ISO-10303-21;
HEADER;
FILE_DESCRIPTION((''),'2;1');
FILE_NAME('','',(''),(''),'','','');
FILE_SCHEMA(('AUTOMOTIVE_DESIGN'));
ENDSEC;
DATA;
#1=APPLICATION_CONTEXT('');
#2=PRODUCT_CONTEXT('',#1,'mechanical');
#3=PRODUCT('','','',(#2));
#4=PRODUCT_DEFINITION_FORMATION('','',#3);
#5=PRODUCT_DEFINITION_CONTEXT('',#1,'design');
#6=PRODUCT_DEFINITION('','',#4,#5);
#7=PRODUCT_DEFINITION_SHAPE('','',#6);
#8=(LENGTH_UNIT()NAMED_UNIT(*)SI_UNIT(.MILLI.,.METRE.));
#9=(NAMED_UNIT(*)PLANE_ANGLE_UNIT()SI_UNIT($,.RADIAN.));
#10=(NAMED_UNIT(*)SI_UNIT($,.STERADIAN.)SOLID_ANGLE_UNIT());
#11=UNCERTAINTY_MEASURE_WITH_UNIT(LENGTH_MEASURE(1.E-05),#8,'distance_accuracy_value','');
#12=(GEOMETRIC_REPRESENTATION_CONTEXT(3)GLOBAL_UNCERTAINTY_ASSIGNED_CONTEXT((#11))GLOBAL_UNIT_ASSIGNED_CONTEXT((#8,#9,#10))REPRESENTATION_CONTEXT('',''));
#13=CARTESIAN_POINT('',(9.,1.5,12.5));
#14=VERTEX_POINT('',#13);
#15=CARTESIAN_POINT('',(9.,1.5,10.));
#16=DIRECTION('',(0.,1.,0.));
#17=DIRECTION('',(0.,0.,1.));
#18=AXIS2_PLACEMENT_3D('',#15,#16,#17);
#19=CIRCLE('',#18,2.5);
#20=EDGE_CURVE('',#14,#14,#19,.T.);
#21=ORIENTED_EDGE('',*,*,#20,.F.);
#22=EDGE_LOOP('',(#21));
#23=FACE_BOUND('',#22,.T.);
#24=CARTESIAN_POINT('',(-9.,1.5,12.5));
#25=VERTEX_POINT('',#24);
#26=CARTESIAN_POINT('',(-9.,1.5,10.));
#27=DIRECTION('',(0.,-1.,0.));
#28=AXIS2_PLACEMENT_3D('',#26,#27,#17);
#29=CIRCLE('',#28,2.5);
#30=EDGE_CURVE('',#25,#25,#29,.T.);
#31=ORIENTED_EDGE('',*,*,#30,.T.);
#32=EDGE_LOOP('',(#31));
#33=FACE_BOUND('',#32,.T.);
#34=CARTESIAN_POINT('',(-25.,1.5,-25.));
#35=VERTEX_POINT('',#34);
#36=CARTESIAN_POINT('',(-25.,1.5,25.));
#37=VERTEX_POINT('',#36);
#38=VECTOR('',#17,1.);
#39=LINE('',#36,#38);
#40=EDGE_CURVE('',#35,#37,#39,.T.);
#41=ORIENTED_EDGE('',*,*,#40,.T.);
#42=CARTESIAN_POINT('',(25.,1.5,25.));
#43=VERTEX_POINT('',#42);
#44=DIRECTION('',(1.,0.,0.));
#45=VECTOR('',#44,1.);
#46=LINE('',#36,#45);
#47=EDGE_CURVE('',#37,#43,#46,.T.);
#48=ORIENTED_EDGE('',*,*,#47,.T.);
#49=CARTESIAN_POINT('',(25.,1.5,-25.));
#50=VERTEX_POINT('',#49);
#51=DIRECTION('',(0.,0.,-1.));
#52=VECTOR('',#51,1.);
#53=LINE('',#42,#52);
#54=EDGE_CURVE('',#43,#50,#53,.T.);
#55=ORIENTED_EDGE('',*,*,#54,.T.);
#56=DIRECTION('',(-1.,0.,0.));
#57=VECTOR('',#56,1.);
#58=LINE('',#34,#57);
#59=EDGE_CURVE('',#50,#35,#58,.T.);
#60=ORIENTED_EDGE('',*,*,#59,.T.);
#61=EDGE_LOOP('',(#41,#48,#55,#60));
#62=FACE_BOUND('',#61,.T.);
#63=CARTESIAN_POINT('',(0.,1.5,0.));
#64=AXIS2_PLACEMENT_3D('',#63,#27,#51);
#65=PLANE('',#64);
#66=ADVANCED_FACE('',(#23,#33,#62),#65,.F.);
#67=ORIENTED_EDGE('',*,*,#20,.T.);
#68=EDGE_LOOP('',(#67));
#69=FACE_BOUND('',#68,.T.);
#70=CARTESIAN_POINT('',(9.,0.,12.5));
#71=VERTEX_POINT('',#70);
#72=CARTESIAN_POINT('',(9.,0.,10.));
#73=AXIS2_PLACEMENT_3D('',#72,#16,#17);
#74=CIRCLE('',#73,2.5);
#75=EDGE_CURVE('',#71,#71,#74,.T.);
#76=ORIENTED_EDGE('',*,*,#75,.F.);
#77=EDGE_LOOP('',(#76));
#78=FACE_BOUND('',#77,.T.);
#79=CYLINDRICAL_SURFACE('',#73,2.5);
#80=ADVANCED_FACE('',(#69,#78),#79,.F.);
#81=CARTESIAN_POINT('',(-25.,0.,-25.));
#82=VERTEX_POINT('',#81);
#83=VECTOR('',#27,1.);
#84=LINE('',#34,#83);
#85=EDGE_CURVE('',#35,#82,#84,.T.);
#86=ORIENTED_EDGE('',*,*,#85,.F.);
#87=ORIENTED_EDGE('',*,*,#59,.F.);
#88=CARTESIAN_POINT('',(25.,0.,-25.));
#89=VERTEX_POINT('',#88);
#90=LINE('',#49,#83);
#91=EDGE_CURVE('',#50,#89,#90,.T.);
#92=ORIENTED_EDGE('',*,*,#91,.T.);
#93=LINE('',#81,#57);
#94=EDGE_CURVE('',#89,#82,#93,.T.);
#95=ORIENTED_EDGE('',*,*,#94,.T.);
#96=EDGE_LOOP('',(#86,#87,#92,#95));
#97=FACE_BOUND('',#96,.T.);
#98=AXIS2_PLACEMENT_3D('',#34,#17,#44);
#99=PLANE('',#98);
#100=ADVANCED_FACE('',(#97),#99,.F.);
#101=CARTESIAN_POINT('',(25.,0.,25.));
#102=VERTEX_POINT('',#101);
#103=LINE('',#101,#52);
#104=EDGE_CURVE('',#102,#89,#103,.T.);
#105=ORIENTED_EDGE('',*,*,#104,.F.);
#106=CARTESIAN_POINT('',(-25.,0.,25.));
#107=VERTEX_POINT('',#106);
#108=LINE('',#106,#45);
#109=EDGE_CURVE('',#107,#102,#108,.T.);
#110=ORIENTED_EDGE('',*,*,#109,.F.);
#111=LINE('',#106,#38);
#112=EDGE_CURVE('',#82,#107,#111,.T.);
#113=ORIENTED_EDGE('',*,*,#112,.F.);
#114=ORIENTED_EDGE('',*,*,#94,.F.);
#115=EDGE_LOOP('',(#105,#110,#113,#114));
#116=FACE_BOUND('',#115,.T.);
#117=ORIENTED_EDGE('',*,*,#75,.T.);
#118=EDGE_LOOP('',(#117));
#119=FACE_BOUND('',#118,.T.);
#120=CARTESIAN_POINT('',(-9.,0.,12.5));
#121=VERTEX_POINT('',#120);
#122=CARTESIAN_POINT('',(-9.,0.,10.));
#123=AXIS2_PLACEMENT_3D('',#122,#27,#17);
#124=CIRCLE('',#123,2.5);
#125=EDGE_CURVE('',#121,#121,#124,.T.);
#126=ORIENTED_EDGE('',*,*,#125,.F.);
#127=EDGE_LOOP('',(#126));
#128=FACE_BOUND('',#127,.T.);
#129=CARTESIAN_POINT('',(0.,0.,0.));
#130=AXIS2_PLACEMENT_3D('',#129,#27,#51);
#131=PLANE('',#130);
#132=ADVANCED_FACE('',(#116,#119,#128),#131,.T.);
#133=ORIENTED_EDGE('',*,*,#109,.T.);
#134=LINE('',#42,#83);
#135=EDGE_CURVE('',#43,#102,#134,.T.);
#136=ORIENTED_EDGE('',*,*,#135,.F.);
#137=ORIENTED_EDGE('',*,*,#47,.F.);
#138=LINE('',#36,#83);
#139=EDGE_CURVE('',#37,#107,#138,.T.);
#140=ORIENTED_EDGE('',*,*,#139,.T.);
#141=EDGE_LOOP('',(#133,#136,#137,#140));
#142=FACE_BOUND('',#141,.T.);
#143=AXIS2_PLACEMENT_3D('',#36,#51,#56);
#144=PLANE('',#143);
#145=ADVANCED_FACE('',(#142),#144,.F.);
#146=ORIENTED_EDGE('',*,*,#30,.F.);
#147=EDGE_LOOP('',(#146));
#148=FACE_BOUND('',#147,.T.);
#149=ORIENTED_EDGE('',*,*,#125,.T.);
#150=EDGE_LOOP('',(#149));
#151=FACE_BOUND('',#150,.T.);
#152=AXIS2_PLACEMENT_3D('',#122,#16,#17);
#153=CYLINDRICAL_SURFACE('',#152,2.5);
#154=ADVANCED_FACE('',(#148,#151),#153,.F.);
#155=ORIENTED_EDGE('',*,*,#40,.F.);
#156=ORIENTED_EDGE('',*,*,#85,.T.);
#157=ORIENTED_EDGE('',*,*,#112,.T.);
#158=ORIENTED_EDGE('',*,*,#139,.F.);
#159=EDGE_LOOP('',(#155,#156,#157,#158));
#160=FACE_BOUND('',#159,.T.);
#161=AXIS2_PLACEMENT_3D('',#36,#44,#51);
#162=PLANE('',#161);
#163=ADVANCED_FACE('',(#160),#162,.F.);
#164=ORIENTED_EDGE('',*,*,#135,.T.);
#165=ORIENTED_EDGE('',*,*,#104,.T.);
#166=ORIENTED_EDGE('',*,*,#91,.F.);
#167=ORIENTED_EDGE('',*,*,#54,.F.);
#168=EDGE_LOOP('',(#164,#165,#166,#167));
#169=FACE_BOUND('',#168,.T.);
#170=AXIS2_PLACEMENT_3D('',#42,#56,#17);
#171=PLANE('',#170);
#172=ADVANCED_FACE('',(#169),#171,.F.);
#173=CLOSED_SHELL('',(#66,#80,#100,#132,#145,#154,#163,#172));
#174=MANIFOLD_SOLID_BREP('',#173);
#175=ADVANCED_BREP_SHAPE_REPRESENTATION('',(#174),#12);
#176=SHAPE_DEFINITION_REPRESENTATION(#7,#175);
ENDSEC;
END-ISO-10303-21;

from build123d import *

# Parameters (mm, degrees)
SKETCH_1_W          = 50
SKETCH_1_H          = 50
EXTRUDE_1_DEPTH     = 1.5
SKETCH_2_R          = 2.5
CUT_EXTRUDE_1_DEPTH = 36.387144558


with BuildPart() as part:
    # 草图1 → 凸台-拉伸1 (new body)
    with BuildSketch(Plane(origin=(0, 0, 0), x_dir=(1, 0, 0), z_dir=(0, 1, 0))):
        Rectangle(SKETCH_1_W, SKETCH_1_H)
    extrude(amount=EXTRUDE_1_DEPTH)

    # 草图2 → 切除-拉伸1 (cut, through all)
    with BuildSketch(Plane(origin=(0, 1.5, 0), x_dir=(1, 0, 0), z_dir=(0, 1, 0))):
        with Locations(Location((9, -10, 0), (0, 0, 270))):
            Circle(SKETCH_2_R)
    cut_extrude_1 = extrude(amount=-CUT_EXTRUDE_1_DEPTH, mode=Mode.SUBTRACT)

    # 镜向1: 切除-拉伸1 across plane
    add(cut_extrude_1.mirror(Plane(origin=(0, 0, 0), x_dir=(0, 0, 1), z_dir=(1, 0, 0))), mode=Mode.SUBTRACT)


solid = part.part
